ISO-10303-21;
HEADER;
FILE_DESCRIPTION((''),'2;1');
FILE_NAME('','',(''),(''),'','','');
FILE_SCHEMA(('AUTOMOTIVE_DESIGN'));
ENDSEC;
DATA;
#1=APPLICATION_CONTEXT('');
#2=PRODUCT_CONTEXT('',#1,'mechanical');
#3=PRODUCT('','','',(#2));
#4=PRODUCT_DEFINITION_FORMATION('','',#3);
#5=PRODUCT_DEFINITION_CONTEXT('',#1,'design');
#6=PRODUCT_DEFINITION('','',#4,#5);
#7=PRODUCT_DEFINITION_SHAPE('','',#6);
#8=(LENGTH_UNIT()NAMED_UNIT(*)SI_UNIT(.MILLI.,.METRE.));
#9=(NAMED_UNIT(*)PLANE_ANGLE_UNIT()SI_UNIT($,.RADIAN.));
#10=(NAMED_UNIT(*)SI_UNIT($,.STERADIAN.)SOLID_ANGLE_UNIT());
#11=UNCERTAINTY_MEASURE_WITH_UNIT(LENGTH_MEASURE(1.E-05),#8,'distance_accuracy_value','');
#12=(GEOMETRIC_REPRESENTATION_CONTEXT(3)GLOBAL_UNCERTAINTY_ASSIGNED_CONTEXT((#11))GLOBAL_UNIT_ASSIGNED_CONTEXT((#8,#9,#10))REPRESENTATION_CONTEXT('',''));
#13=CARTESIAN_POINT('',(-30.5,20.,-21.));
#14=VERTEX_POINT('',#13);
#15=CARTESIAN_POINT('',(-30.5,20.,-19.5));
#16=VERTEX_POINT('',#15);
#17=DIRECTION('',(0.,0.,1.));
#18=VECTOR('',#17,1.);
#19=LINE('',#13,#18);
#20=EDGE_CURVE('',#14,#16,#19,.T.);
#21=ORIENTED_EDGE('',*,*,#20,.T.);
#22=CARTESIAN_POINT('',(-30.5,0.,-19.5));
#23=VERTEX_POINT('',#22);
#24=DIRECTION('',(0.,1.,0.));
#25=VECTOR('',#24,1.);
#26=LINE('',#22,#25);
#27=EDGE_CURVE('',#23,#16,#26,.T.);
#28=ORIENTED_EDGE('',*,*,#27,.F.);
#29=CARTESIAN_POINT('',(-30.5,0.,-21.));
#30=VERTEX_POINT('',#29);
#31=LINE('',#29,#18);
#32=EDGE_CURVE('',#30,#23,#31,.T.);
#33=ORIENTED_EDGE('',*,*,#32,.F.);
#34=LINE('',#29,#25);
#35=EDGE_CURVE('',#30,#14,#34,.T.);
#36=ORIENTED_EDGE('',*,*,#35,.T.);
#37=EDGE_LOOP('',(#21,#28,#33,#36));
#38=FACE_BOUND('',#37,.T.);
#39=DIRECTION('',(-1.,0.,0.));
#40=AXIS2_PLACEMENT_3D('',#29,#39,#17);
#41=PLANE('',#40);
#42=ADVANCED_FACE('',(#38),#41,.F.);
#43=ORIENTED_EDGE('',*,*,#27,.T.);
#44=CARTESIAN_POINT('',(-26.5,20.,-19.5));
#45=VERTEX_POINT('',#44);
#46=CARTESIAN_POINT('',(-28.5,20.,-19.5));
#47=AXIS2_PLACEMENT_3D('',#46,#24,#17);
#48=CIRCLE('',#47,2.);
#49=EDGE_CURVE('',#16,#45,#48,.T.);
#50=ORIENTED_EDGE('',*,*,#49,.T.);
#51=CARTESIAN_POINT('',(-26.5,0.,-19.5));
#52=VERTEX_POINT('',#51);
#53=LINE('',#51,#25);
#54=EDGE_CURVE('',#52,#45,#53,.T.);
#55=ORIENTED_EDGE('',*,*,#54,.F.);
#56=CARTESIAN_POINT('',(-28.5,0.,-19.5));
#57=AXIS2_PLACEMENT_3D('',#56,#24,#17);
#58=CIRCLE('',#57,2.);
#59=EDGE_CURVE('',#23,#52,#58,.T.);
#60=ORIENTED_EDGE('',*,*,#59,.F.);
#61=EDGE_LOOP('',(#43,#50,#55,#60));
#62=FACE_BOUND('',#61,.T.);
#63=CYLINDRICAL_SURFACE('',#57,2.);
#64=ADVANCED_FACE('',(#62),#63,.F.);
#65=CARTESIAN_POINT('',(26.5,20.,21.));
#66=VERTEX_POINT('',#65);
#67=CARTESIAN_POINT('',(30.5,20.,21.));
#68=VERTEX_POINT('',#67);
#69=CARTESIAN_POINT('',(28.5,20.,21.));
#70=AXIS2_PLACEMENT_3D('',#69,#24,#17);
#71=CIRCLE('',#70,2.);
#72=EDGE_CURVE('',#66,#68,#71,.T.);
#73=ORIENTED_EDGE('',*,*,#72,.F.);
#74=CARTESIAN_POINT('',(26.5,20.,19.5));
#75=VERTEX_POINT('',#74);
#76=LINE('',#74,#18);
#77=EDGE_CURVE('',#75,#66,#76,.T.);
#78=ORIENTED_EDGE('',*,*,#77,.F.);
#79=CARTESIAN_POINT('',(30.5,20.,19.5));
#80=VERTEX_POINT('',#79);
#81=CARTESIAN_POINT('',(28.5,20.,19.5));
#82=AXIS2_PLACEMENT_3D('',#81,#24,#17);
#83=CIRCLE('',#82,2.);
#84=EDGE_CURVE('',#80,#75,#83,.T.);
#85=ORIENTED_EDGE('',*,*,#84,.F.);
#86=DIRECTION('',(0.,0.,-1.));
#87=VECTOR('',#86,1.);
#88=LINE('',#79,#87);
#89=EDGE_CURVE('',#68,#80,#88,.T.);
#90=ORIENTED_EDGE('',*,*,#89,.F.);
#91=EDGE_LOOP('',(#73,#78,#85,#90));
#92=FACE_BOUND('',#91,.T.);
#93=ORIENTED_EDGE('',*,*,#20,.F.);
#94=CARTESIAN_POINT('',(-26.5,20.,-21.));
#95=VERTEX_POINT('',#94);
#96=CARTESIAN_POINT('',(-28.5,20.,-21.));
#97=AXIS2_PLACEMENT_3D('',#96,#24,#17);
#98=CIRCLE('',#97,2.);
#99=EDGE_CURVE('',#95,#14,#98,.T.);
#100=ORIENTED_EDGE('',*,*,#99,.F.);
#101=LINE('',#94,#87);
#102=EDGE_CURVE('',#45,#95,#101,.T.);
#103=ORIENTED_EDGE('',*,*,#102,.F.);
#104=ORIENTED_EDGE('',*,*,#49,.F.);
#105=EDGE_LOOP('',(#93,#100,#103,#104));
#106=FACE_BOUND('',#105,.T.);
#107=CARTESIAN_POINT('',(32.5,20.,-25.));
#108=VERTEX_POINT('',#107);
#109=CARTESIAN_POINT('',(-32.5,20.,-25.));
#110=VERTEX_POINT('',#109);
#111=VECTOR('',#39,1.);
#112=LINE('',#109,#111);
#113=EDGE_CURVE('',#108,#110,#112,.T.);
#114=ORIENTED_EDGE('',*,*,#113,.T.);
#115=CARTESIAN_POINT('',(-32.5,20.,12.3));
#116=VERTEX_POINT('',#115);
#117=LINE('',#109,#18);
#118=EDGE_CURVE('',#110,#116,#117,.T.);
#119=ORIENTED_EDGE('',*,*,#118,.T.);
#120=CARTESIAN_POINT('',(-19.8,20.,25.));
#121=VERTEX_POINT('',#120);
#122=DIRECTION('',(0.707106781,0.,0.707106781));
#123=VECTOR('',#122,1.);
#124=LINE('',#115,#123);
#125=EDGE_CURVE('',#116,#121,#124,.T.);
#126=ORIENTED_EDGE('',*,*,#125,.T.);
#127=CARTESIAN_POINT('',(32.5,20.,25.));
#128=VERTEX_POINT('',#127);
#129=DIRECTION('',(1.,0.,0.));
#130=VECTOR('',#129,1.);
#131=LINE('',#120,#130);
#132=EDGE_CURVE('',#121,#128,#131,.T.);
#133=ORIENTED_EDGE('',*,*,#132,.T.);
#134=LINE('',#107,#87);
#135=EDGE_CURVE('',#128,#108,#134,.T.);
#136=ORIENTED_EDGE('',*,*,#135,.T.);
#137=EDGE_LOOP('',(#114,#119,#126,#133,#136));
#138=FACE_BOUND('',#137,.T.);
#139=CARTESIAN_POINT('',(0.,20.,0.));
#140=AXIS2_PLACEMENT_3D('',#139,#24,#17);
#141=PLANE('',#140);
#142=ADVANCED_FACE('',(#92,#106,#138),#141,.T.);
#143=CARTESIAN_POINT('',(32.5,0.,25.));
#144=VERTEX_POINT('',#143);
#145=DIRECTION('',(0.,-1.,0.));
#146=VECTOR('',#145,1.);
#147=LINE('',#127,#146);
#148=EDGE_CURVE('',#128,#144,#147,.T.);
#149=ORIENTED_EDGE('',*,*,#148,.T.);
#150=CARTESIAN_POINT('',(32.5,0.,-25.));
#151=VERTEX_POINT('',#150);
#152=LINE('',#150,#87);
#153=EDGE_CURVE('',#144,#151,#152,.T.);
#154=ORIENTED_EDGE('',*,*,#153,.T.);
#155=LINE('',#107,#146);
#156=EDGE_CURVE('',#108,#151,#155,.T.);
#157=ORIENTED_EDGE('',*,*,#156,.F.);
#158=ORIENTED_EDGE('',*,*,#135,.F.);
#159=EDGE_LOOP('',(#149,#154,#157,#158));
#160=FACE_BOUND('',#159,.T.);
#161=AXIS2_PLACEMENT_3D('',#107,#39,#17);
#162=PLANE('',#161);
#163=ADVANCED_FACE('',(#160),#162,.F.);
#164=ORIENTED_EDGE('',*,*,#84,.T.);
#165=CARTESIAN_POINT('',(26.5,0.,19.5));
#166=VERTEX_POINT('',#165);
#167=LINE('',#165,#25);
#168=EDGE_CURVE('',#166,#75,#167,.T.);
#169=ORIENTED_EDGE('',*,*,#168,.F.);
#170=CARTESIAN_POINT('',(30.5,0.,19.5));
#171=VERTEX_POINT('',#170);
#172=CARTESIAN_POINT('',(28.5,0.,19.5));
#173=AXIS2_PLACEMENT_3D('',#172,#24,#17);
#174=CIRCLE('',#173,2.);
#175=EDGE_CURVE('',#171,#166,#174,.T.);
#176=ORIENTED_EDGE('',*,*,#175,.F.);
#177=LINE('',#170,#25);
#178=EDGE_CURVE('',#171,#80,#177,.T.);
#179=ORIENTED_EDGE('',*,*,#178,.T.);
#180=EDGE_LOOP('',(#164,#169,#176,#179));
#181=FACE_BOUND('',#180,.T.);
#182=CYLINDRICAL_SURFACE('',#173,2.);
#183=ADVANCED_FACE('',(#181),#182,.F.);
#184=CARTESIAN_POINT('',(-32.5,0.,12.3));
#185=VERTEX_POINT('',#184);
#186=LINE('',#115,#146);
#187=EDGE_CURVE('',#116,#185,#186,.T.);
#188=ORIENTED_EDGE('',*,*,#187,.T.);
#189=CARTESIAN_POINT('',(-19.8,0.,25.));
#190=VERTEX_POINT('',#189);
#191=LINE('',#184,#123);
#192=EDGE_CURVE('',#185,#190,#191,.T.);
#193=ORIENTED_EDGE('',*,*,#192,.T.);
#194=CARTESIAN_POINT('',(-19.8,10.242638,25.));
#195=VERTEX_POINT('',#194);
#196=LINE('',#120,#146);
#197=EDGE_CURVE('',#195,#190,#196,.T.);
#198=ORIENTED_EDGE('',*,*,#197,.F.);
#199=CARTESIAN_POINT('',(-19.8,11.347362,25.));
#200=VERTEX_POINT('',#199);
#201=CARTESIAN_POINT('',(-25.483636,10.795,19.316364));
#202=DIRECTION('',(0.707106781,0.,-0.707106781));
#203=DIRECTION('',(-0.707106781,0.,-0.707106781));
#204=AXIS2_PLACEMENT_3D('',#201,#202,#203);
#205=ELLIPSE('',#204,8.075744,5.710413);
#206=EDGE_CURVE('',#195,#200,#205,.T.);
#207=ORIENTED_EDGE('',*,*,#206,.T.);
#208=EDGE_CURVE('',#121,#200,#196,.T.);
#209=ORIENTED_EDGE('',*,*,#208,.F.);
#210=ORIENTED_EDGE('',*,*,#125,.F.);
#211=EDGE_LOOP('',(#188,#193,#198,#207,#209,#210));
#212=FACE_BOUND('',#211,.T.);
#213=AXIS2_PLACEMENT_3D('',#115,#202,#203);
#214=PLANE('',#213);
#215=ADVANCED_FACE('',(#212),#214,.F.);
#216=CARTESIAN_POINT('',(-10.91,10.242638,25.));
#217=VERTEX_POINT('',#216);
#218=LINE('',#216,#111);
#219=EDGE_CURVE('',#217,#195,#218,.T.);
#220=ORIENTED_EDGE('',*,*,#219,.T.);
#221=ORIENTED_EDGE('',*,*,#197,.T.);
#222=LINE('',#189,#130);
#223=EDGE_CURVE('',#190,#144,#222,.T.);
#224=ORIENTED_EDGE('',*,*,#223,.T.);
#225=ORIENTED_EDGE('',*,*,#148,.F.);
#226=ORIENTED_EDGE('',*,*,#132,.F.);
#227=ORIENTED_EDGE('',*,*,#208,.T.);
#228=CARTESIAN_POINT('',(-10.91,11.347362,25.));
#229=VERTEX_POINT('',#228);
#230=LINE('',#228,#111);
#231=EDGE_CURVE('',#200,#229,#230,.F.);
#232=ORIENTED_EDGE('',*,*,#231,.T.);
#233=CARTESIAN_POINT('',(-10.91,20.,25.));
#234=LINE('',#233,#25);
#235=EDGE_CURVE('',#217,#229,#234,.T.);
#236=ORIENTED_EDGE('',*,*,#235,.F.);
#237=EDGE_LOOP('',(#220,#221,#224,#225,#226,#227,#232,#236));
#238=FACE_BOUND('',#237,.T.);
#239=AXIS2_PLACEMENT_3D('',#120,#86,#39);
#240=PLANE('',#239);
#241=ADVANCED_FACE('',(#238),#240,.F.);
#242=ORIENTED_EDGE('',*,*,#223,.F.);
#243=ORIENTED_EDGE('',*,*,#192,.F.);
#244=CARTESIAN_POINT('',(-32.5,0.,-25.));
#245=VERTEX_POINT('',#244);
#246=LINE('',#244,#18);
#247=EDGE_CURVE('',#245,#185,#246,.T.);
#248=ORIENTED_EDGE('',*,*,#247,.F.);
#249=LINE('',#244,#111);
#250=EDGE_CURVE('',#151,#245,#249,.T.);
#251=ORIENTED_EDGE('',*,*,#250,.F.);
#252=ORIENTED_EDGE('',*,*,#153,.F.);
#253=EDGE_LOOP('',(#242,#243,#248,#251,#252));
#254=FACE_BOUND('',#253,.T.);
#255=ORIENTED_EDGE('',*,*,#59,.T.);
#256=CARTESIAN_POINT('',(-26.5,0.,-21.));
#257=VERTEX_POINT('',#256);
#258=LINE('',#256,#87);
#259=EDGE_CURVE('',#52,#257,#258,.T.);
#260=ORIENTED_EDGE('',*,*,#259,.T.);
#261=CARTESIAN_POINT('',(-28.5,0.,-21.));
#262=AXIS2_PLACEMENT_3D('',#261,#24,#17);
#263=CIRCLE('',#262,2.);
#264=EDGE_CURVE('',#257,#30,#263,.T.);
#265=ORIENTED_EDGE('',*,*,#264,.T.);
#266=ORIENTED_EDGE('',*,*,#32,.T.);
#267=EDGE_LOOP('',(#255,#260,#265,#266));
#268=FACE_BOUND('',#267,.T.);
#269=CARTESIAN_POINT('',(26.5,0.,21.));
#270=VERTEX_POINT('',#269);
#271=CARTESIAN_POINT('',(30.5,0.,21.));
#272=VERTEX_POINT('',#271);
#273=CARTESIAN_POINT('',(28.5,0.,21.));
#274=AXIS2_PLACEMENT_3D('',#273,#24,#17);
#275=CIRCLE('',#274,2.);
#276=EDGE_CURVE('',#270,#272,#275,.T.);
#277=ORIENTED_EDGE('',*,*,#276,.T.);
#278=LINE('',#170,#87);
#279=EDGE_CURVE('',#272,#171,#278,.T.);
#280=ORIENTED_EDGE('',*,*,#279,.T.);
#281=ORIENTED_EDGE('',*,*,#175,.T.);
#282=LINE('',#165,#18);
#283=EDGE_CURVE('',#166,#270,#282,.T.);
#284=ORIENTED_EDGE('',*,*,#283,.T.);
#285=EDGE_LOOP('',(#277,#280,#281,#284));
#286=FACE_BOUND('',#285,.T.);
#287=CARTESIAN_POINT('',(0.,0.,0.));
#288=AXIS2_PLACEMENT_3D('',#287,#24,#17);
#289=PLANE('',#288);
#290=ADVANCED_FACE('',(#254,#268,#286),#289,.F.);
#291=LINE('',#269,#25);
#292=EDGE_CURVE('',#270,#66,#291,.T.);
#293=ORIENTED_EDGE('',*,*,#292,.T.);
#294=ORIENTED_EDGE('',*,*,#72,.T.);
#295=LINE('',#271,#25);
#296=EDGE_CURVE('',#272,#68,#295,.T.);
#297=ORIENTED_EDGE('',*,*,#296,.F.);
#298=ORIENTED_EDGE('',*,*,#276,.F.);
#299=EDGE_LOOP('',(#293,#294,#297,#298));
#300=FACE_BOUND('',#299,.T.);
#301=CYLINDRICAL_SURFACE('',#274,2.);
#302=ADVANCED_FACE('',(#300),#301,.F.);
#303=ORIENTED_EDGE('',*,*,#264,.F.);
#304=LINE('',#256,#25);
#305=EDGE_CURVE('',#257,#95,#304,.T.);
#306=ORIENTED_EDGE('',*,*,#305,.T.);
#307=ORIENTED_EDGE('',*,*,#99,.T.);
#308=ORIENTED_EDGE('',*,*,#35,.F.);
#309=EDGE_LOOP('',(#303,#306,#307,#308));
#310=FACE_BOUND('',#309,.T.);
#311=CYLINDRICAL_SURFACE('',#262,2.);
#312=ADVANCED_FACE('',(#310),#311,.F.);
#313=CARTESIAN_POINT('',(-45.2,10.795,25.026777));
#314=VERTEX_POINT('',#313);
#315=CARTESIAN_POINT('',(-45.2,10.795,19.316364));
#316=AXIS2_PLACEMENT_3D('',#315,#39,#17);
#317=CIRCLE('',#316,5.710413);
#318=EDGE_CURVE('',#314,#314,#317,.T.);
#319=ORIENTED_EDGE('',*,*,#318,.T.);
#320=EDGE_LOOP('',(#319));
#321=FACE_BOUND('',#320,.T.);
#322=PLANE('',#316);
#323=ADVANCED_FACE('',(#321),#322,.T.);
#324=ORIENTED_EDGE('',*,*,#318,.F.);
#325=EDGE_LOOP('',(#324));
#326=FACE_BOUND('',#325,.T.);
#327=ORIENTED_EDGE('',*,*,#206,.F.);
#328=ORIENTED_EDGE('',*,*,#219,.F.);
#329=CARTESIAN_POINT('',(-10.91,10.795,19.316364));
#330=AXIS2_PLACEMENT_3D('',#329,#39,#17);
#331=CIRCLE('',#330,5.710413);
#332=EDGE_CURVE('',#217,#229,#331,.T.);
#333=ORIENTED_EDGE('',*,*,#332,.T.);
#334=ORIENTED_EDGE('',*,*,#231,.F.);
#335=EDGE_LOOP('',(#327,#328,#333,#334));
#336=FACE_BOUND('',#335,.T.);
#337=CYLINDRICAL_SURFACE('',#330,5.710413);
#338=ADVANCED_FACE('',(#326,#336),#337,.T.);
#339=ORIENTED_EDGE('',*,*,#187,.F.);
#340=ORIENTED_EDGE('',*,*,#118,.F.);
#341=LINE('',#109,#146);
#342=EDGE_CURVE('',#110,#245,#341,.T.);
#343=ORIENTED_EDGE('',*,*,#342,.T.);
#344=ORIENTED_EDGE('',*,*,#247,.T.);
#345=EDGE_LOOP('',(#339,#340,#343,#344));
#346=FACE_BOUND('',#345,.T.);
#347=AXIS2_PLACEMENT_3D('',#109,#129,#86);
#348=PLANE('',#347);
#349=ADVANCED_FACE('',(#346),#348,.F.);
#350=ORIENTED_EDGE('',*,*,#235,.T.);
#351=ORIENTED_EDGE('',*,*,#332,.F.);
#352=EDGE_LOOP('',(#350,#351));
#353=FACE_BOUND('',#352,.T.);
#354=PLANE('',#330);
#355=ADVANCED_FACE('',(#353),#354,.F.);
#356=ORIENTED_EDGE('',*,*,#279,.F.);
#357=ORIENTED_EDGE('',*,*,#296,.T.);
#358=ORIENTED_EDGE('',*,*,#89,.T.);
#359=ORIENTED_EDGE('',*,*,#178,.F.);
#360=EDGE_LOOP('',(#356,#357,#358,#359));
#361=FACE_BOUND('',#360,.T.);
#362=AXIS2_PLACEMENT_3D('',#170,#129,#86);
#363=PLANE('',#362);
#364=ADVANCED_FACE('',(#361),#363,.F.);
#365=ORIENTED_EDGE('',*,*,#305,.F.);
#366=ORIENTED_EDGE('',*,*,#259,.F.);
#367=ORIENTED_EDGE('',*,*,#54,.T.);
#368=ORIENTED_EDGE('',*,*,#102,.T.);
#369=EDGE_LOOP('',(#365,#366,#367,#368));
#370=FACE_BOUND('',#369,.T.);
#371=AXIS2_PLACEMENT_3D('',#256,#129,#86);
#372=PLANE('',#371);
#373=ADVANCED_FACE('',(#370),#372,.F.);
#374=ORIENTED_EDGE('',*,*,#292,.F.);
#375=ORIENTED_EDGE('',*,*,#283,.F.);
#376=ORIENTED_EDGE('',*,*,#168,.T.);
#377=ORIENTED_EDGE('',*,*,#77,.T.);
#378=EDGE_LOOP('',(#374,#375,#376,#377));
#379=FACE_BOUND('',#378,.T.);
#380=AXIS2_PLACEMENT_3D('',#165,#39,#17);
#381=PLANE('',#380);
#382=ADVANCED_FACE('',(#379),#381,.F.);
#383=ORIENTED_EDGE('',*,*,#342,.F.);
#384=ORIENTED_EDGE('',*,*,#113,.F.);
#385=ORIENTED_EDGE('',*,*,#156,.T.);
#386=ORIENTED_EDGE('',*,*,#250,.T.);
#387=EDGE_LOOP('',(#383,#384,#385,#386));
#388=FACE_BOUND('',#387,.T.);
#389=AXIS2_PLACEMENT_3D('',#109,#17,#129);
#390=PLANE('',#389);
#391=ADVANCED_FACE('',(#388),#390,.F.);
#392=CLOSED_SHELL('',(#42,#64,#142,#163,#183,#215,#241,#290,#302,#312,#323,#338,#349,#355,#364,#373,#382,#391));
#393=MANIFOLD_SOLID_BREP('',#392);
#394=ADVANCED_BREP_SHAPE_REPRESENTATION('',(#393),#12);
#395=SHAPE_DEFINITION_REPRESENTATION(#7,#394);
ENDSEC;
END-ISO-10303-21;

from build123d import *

# Parameters (mm, degrees)
BOSS_EXTRUDE1_DEPTH      = 20
BOSS_EXTRUDE2_DEPTH      = 12.7
BOSS_EXTRUDE2_DEPTH_BACK = 21.59
SKETCH2_R                = 5.710413334
CUT_EXTRUDE1_DEPTH       = 56.401981837


with BuildPart() as part:
    # Sketch1 → Boss-Extrude1 (new body)
    with BuildSketch(Plane(origin=(0, 0, 0), x_dir=(1, 0, 0), z_dir=(0, 1, 0))):
        Polygon((-32.500000024, -12.3), (-19.800000024, -25), (32.500000024, -25), (32.500000024, 25), (-32.500000024, 25), align=None)
    extrude(amount=BOSS_EXTRUDE1_DEPTH)

    # Sketch2 → Boss-Extrude2 (add, two sides: drawn at the far end of the back side and taken through both)
    with BuildSketch(Plane.ZY.offset(32.500000024).offset(-BOSS_EXTRUDE2_DEPTH_BACK)):
        with Locations((19.316364111, 10.795)):
            Circle(SKETCH2_R)
    extrude(amount=BOSS_EXTRUDE2_DEPTH + BOSS_EXTRUDE2_DEPTH_BACK)

    # Sketch3 → Cut-Extrude1 (cut, through all)
    with BuildSketch(Plane(origin=(0, 20, 0), x_dir=(1, 0, 0), z_dir=(0, 1, 0))):
        with BuildLine():
            Line((30.500000024, -19.5), (30.500000024, -21))
            ThreePointArc((30.500000024, -21), (28.500000024, -23), (26.500000024, -21))
            Line((26.500000024, -21), (26.500000024, -19.5))
            ThreePointArc((26.500000024, -19.5), (28.500000024, -17.5), (30.500000024, -19.5))
        make_face()
        with BuildLine():
            Line((-26.500000024, 21), (-26.500000024, 19.5))
            ThreePointArc((-26.500000024, 19.5), (-28.500000024, 17.5), (-30.500000024, 19.5))
            Line((-30.500000024, 19.5), (-30.500000024, 21))
            ThreePointArc((-30.500000024, 21), (-28.500000024, 23), (-26.500000024, 21))
        make_face()
    extrude(amount=-CUT_EXTRUDE1_DEPTH, mode=Mode.SUBTRACT)


solid = part.part
